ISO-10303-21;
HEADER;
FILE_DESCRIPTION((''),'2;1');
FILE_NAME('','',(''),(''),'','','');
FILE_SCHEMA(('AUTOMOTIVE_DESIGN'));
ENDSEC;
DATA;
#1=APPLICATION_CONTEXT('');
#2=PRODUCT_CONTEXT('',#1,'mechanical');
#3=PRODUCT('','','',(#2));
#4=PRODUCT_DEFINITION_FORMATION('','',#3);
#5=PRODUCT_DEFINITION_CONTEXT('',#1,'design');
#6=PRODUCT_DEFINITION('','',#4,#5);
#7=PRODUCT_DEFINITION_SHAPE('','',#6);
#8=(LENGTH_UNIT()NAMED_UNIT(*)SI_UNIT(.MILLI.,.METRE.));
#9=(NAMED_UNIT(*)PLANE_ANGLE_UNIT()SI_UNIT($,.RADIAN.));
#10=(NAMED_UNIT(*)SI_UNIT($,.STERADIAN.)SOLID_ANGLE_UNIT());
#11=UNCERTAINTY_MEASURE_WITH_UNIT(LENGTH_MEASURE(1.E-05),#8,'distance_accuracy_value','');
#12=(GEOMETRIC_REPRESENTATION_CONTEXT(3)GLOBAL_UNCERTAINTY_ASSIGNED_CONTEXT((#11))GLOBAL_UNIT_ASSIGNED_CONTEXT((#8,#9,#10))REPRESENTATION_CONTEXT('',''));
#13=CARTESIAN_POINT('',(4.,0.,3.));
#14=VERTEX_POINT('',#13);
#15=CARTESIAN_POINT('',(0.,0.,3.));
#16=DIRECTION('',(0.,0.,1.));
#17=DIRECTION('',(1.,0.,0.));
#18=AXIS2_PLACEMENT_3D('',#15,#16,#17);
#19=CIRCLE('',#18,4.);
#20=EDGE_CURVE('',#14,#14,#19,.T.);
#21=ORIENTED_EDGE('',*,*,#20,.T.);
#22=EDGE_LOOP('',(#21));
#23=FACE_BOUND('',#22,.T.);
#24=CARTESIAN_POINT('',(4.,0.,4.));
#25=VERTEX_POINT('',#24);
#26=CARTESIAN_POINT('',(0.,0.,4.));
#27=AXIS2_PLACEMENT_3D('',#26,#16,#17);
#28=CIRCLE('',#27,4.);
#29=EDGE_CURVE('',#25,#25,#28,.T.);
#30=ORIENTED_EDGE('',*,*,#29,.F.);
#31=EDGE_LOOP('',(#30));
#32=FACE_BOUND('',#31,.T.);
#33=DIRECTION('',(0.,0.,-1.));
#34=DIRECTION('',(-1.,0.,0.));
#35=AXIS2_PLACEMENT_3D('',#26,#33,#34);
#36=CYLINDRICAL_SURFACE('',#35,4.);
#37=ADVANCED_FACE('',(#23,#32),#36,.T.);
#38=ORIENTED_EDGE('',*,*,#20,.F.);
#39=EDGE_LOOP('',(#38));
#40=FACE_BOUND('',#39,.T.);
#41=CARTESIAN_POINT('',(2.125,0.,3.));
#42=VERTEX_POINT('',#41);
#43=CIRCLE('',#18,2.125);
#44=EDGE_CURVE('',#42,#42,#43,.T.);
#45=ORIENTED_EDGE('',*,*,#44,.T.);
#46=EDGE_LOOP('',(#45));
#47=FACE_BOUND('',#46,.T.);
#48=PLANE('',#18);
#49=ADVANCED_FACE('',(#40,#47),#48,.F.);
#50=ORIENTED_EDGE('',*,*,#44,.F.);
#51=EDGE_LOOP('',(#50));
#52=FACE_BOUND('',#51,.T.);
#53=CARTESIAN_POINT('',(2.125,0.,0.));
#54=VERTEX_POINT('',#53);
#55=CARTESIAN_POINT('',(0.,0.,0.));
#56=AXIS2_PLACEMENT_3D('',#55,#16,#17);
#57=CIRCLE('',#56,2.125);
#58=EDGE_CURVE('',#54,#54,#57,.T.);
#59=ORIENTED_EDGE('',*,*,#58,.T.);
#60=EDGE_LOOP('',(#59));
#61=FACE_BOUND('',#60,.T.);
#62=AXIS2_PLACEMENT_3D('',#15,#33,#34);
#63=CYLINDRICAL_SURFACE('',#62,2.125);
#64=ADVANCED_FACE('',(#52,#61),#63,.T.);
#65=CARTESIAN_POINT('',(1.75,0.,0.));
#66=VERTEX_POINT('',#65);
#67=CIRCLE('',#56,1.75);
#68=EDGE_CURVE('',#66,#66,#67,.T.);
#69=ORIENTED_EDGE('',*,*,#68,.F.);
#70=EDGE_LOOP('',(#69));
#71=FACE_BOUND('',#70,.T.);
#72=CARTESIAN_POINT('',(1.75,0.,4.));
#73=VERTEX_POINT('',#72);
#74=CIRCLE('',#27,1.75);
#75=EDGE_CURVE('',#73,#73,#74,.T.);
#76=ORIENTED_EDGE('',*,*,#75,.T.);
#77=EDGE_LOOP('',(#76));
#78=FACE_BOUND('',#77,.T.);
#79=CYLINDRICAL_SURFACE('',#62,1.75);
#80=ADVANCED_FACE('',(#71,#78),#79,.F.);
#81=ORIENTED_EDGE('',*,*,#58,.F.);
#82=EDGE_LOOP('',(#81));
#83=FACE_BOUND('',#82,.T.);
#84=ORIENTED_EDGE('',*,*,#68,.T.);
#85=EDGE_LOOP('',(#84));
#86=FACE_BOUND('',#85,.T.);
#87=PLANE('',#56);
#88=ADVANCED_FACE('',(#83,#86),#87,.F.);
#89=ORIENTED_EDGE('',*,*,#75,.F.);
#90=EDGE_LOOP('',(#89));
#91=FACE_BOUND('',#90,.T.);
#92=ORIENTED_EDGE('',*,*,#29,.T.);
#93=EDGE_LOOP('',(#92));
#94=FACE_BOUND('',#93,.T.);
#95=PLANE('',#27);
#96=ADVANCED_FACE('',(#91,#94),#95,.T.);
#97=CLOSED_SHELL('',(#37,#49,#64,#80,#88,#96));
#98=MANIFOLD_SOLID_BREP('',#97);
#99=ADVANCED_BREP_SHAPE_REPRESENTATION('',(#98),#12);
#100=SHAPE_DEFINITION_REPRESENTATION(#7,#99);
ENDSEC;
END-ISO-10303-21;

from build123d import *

# Parameters (mm, degrees)
SKETCH1_R           = 2.125
SKETCH1_R_2         = 1.75
BOSS_EXTRUDE1_DEPTH = 3
SKETCH2_R           = 4
SKETCH2_R_2         = 1.75
BOSS_EXTRUDE2_DEPTH = 1


with BuildPart() as part:
    # Sketch1 → Boss-Extrude1 (new body)
    with BuildSketch(Plane.XY):
        Circle(SKETCH1_R)
        Circle(SKETCH1_R_2, mode=Mode.SUBTRACT)
    extrude(amount=BOSS_EXTRUDE1_DEPTH)

    # Sketch2 → Boss-Extrude2 (add)
    with BuildSketch(Plane.XY.offset(3)):
        Circle(SKETCH2_R)
        Circle(SKETCH2_R_2, mode=Mode.SUBTRACT)
    extrude(amount=BOSS_EXTRUDE2_DEPTH)


solid = part.part
